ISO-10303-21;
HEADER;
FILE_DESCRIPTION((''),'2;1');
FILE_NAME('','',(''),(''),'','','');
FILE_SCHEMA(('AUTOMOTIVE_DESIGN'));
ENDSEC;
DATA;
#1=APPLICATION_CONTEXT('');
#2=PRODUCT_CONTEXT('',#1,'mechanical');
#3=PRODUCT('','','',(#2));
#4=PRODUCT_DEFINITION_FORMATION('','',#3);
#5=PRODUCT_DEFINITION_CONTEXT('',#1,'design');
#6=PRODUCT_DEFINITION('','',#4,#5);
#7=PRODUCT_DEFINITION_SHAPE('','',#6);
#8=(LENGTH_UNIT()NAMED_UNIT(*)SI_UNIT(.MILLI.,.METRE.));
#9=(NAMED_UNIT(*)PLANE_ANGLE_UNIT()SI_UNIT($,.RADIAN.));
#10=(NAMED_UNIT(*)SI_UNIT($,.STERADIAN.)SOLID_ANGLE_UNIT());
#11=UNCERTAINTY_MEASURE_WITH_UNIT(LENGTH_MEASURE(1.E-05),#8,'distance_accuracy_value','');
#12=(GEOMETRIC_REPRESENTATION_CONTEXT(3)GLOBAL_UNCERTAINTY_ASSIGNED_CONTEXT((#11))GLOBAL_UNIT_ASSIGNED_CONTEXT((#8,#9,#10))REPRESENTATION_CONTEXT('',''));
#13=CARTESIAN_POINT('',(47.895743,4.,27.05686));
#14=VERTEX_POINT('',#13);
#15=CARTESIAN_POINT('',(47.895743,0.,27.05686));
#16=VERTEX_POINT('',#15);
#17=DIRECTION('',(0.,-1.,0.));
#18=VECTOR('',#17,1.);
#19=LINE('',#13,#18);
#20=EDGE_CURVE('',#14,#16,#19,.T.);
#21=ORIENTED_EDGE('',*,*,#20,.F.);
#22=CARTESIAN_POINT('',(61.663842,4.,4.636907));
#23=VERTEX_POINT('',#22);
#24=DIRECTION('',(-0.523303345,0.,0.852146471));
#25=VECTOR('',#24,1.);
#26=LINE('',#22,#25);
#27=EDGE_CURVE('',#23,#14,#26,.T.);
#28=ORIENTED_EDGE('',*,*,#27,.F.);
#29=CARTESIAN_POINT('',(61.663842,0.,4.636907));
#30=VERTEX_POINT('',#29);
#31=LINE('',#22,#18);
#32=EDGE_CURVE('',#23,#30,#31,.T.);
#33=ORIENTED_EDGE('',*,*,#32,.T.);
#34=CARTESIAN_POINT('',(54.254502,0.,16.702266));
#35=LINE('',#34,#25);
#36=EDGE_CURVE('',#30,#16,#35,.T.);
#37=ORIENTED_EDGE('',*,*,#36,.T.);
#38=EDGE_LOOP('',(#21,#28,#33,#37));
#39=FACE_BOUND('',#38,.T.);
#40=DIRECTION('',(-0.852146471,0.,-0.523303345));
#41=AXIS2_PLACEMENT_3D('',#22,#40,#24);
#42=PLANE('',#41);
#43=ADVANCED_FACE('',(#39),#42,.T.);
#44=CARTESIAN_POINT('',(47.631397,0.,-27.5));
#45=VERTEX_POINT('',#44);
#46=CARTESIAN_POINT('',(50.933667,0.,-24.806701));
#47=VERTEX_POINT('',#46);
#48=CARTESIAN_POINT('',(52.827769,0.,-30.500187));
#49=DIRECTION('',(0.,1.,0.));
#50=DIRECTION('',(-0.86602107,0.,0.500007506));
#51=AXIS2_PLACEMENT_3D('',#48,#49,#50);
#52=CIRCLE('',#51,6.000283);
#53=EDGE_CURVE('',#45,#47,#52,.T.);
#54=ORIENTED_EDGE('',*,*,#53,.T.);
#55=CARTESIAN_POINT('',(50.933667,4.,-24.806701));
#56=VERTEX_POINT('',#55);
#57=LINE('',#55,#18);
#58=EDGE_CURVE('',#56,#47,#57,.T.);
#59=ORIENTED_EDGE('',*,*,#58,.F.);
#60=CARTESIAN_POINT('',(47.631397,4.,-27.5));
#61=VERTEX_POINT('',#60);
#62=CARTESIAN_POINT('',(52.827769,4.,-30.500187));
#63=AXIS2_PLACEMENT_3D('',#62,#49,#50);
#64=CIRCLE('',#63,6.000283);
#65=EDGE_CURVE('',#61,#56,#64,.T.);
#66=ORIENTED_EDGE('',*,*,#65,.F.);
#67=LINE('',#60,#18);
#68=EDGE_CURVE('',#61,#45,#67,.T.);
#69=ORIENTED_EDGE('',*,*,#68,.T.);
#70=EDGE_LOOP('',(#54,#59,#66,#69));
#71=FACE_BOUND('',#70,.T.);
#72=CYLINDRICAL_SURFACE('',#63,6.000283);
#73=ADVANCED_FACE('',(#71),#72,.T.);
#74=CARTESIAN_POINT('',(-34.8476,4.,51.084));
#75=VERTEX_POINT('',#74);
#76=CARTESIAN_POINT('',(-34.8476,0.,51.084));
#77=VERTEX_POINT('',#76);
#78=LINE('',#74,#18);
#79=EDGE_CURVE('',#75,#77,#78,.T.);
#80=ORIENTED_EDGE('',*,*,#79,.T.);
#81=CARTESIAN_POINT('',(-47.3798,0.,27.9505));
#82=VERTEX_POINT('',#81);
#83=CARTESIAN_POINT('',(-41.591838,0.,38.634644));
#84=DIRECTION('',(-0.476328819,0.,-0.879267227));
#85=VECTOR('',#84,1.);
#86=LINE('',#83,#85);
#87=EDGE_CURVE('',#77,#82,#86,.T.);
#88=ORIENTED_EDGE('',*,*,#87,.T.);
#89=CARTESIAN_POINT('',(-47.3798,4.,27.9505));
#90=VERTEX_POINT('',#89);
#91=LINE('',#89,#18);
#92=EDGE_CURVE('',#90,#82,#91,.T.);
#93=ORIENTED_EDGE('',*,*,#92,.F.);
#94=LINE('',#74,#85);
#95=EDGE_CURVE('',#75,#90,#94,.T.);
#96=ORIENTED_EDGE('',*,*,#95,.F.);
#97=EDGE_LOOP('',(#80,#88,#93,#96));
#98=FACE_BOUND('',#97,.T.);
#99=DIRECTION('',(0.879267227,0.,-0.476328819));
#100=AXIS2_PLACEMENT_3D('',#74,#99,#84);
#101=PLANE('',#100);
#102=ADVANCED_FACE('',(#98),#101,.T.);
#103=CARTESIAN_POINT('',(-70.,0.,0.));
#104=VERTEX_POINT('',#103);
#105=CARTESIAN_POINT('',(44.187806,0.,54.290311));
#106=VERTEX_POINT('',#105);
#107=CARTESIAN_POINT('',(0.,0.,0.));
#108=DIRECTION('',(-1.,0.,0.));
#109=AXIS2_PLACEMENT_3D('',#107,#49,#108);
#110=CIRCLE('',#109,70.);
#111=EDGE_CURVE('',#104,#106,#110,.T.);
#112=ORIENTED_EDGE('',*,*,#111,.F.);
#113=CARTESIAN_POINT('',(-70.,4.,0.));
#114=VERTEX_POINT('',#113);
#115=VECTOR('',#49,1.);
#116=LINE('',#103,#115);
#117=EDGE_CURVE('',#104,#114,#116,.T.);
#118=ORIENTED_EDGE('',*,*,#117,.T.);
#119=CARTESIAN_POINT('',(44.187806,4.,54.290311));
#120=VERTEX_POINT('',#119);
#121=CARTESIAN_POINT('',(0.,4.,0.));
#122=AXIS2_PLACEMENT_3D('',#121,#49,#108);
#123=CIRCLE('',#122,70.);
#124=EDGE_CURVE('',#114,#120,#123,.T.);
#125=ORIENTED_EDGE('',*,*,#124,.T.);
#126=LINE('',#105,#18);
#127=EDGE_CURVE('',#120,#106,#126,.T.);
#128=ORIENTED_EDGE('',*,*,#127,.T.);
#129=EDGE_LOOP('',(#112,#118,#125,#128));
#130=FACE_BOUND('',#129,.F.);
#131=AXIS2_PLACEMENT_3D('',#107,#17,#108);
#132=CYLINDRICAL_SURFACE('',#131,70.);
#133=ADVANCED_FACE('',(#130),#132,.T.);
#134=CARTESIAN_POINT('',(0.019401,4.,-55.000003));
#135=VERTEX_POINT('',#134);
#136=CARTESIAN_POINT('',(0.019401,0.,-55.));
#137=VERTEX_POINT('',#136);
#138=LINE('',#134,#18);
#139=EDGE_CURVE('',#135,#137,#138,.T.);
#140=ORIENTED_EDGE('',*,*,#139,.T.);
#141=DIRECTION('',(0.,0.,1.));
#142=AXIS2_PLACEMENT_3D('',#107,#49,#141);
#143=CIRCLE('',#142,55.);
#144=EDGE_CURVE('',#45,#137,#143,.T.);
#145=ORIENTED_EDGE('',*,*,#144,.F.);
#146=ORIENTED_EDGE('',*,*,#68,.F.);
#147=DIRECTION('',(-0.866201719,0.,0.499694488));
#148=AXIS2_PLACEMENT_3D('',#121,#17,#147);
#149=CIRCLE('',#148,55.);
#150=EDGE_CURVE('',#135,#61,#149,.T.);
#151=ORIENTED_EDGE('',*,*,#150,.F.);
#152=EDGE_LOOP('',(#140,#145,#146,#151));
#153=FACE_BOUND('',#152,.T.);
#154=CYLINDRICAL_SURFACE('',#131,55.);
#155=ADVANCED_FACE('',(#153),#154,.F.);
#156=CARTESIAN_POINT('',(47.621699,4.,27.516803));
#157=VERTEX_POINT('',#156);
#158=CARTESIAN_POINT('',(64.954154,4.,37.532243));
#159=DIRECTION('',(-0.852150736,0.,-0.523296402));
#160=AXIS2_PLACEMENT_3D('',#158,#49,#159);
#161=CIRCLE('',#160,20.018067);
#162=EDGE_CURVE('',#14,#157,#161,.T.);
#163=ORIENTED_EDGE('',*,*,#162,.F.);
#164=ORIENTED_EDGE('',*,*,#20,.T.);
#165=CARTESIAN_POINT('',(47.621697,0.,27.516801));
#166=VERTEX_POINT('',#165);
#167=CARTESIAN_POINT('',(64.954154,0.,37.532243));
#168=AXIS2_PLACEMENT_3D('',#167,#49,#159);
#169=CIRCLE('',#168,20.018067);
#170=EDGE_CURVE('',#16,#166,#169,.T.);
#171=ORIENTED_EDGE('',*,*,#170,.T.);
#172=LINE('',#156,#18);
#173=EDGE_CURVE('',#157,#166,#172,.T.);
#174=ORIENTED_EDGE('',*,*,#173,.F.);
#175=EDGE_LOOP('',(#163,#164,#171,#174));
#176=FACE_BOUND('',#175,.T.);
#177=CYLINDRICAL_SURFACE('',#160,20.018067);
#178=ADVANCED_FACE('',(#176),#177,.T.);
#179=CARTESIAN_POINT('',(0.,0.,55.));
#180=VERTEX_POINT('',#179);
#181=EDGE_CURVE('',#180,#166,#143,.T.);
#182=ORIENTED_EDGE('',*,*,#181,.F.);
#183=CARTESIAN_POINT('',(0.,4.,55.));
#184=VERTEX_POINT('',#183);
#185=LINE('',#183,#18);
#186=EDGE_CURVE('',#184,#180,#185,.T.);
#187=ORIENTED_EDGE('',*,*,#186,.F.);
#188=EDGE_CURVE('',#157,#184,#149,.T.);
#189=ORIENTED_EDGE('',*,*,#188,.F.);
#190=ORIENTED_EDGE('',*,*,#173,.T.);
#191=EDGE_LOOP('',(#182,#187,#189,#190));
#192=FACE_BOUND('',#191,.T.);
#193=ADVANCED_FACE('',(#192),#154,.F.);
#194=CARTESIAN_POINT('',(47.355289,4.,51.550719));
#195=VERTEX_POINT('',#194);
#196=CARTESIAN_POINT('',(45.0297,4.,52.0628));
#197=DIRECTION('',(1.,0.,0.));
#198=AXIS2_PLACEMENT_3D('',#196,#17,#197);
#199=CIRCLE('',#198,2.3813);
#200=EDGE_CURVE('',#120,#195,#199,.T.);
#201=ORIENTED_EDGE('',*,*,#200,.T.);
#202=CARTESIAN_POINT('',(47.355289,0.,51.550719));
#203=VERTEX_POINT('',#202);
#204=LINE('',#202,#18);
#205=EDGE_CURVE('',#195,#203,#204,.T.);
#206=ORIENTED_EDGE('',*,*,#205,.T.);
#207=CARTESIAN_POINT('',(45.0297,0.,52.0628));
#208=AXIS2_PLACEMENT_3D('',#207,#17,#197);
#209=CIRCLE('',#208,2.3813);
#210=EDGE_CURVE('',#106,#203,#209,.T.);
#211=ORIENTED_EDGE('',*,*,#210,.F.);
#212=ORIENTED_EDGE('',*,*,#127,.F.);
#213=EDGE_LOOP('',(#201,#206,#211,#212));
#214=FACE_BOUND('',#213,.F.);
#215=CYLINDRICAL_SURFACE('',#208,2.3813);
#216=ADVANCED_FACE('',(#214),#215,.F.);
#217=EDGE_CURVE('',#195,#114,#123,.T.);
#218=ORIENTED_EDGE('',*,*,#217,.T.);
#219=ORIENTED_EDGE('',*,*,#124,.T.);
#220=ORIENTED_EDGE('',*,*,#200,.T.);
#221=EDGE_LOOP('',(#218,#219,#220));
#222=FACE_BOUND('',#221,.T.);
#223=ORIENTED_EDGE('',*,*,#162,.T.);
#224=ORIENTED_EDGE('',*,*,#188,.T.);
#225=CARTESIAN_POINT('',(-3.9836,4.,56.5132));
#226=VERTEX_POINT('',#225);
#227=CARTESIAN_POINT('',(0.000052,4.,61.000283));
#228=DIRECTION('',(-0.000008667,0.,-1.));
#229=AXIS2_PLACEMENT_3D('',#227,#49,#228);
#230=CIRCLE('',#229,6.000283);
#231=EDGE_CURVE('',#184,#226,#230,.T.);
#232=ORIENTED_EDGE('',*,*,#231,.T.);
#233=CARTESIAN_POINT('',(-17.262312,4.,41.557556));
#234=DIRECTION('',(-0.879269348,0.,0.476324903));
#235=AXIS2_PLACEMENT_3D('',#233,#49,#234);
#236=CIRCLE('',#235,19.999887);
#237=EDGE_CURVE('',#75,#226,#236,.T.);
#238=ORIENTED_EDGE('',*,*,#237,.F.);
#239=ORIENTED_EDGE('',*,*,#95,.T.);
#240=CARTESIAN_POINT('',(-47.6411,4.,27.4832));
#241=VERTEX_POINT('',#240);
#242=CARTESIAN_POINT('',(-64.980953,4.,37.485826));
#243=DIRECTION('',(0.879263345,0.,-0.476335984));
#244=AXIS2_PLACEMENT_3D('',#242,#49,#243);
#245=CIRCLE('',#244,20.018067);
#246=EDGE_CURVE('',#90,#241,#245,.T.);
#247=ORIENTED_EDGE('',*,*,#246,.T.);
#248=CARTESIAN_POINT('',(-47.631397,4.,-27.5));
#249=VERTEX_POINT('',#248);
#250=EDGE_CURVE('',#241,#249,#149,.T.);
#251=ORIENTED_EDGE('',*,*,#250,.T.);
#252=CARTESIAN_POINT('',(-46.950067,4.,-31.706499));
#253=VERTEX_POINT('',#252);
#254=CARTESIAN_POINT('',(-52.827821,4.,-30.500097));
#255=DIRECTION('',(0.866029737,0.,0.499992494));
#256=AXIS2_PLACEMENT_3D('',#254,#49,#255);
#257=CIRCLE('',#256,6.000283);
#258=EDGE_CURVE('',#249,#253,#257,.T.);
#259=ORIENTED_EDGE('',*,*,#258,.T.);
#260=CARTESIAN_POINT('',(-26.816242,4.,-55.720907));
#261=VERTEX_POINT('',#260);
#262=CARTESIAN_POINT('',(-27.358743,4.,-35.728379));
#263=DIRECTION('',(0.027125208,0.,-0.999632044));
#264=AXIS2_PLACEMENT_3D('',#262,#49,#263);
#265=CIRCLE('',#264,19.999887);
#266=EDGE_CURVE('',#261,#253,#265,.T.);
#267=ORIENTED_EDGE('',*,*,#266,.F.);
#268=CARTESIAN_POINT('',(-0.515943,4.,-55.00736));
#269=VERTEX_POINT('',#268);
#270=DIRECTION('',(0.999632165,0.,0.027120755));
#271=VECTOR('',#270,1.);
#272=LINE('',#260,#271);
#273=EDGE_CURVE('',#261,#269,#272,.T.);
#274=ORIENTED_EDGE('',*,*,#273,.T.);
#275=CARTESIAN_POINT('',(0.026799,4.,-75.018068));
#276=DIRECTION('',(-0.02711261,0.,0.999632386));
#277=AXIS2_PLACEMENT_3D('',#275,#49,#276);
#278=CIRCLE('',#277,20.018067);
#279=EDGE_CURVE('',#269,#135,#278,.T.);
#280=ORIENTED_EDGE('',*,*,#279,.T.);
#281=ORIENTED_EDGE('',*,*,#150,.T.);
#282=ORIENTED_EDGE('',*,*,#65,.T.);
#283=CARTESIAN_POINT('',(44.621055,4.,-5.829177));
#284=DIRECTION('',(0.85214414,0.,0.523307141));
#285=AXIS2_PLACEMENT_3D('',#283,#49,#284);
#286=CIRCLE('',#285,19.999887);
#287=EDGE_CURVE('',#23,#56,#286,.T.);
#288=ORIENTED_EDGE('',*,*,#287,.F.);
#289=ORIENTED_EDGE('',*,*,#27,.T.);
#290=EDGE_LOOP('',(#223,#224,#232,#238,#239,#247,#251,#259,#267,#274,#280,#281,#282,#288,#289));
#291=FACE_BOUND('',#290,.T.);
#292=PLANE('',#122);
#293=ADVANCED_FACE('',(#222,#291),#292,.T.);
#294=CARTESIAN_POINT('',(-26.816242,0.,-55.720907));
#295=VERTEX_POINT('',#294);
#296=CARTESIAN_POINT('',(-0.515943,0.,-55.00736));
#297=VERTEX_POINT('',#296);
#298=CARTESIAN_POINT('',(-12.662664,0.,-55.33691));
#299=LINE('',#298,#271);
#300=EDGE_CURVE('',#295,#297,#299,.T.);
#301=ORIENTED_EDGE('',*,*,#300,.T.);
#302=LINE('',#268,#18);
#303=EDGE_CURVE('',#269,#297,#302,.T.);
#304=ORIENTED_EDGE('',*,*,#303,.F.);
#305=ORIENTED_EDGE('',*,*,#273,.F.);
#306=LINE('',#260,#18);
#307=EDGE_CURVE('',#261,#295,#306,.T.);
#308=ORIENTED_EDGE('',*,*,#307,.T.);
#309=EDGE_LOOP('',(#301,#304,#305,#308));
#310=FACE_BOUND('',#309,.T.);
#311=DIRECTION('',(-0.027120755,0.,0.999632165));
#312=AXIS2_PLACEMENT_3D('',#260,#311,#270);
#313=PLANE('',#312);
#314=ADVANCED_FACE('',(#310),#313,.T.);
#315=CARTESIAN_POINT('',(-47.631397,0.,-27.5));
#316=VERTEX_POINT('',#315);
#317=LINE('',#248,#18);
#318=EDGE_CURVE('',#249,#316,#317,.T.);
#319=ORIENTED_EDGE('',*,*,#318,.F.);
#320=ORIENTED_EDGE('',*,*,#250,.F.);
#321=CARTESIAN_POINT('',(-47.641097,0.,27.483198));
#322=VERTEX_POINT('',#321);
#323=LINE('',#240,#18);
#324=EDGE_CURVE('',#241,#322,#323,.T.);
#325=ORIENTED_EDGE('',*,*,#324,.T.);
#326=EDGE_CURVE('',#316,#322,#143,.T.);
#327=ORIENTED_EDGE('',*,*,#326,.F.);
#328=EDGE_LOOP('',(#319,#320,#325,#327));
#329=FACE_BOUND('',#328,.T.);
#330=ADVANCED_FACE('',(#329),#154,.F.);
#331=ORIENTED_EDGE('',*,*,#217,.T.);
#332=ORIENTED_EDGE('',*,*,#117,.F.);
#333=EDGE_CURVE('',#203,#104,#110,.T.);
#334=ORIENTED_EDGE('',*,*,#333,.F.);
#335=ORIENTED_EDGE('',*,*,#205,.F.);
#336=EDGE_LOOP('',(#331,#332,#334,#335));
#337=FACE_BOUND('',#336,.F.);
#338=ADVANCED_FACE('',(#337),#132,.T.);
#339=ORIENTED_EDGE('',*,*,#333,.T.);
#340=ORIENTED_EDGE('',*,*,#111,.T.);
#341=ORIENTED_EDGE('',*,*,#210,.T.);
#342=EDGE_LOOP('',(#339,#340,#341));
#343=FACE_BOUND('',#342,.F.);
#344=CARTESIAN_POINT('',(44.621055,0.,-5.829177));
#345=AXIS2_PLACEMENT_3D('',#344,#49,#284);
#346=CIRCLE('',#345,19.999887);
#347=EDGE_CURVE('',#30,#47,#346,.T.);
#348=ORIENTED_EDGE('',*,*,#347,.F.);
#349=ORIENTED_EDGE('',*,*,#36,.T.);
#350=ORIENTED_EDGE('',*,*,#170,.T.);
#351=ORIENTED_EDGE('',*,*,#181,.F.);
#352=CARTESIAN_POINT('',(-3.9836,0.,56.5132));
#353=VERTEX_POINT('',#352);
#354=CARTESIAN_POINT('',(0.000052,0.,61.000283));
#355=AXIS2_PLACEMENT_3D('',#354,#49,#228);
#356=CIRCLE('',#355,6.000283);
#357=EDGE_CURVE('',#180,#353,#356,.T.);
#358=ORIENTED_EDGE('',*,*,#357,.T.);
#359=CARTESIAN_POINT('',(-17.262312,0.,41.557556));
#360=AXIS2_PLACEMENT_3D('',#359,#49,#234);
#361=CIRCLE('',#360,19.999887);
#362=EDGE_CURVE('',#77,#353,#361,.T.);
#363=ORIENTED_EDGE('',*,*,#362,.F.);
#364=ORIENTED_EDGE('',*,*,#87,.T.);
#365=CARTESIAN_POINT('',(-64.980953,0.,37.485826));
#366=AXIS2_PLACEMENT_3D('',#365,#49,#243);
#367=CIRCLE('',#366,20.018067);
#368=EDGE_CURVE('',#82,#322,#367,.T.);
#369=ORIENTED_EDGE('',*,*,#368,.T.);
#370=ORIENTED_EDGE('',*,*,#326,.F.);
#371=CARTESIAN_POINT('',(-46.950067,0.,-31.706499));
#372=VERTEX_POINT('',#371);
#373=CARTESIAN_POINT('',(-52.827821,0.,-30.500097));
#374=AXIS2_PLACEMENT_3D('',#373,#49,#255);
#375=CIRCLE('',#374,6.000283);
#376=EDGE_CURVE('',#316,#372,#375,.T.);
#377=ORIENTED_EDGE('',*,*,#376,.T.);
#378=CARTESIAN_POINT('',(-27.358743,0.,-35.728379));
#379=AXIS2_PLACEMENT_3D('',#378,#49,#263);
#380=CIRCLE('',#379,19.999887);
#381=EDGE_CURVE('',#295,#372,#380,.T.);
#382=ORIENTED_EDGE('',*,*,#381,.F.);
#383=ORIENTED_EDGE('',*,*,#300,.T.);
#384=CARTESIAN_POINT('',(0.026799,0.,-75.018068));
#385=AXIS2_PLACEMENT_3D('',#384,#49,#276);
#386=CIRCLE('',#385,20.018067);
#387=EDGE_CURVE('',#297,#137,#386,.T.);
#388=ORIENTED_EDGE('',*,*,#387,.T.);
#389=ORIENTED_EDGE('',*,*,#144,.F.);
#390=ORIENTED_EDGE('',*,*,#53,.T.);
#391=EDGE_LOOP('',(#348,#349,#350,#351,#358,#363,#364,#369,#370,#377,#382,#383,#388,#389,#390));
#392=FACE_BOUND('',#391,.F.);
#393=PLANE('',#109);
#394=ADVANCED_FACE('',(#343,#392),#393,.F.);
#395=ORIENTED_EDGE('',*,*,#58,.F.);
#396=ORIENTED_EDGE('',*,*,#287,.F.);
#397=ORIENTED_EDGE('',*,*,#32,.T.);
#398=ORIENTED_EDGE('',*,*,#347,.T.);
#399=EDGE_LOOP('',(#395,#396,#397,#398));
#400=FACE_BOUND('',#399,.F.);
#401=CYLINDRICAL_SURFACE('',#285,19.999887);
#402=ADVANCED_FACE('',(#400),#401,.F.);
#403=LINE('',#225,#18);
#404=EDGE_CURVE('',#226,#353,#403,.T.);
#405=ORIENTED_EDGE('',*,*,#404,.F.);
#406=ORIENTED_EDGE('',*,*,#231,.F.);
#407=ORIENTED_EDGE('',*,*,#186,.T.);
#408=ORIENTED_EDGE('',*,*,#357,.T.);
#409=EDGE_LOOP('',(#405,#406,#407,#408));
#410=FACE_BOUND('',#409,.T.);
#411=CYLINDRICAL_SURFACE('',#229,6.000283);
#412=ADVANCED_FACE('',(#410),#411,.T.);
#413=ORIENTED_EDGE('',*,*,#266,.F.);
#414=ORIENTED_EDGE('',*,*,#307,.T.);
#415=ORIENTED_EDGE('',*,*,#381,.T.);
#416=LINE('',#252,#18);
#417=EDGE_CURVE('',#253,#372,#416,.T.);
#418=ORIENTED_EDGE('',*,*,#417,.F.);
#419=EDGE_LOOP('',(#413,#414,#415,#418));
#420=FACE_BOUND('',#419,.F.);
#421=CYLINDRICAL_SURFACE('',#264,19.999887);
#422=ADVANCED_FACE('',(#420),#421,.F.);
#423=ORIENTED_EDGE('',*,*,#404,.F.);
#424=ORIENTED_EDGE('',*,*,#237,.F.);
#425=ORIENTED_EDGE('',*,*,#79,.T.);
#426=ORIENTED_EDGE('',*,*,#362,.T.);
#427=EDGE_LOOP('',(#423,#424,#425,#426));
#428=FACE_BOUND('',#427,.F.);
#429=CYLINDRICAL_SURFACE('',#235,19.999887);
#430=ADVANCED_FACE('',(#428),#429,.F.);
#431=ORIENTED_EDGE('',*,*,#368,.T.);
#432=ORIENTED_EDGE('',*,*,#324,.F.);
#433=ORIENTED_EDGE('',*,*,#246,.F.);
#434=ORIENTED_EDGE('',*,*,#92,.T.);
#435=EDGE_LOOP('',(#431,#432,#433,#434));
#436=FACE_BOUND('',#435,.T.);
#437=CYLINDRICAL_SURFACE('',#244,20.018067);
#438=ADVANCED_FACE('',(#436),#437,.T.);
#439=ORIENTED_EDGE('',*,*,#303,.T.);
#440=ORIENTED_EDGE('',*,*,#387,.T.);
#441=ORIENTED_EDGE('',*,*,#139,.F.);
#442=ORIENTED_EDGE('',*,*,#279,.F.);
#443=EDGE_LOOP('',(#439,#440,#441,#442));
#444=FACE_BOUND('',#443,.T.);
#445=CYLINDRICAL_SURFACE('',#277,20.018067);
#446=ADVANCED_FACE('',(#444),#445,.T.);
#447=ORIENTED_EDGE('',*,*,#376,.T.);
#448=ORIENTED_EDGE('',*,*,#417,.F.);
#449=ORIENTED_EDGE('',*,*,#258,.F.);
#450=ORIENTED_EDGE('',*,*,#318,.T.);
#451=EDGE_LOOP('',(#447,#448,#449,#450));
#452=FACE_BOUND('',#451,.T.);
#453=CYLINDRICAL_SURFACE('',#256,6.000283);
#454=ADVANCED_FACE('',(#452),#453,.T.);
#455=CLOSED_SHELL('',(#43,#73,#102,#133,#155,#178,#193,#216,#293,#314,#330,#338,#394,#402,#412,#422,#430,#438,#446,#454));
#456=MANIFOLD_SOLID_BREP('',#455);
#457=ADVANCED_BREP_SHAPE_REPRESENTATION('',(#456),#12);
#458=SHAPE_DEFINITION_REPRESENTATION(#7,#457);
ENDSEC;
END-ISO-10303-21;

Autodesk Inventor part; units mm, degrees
ref_plane "YZ Plane" through (0, 0, 0) normal (1, 0, 0) x (0, 1, 0)
ref_plane "XZ Plane" through (0, 0, 0) normal (0, 1, 0) x (-1, 0, 0)
ref_plane "XY Plane" through (0, 0, 0) normal (0, 0, 1) x (1, 0, 0)
sketch "Sketch2" plane through (0, 0, 0) normal (0, 1, 0) x (-1, 0, 0)
  circle A0 centre (0, 0) radius 55
  circle A1 centre (0, 0) radius 70
  dimension "d18" = 110
  dimension "d19" = 140
extrude "Extrusion3" add sketch "Sketch2" along normal blind 4
sketch "Sketch3" plane through (0, 4, 0) normal (0, 1, 0) x (1, 0, 0)
  circle A0 centre (0, 0) radius 55 projected
  circle A1 centre (0, 0) radius 70 projected
  arc A2 (0, -55) -> (-3.9836, -56.5132) centre (0, -61) ccw
  line L0 (0, -70) -> (0, 0) construction
  line L1 (0, 0) -> (-47.6314, -27.5) construction
  circle A3 centre (0, 0) radius 65 construction
  arc A4 (-34.8476, -51.084) -> (-3.9836, -56.5132) centre (-17.2622, -41.5574) ccw
  line L2 (-34.8476, -51.084) -> (-47.3798, -27.9505)
  arc A5 (-47.3798, -27.9505) -> (-47.6411, -27.4832) centre (-64.9651, -37.4771) ccw
  dimension "d24" = 60
  dimension "d31" = 6
  dimension "d33" = 20
  dimension "d34" = 130
extrude "Extrusion4" cut sketch "Sketch3" against normal blind 6 contours A0 A2 A4 L2 A5
pattern_circular "Circular Pattern2" count 3 over 360 about axis through (0, 0, 0) along (0, 1, 0) of "Extrusion4"
sketch "Sketch4" plane through (0, 0, 0) normal (0, -1, 0) x (1, 0, 0)
  circle A0 centre (45.0297, 52.0628) radius 2.3813 projected
  circle A1 centre (45.0297, 52.0628) radius 2.3813
extrude "Extrusion5" cut sketch "Sketch4" against normal blind 5.25
properties part number "launcher.cam"
